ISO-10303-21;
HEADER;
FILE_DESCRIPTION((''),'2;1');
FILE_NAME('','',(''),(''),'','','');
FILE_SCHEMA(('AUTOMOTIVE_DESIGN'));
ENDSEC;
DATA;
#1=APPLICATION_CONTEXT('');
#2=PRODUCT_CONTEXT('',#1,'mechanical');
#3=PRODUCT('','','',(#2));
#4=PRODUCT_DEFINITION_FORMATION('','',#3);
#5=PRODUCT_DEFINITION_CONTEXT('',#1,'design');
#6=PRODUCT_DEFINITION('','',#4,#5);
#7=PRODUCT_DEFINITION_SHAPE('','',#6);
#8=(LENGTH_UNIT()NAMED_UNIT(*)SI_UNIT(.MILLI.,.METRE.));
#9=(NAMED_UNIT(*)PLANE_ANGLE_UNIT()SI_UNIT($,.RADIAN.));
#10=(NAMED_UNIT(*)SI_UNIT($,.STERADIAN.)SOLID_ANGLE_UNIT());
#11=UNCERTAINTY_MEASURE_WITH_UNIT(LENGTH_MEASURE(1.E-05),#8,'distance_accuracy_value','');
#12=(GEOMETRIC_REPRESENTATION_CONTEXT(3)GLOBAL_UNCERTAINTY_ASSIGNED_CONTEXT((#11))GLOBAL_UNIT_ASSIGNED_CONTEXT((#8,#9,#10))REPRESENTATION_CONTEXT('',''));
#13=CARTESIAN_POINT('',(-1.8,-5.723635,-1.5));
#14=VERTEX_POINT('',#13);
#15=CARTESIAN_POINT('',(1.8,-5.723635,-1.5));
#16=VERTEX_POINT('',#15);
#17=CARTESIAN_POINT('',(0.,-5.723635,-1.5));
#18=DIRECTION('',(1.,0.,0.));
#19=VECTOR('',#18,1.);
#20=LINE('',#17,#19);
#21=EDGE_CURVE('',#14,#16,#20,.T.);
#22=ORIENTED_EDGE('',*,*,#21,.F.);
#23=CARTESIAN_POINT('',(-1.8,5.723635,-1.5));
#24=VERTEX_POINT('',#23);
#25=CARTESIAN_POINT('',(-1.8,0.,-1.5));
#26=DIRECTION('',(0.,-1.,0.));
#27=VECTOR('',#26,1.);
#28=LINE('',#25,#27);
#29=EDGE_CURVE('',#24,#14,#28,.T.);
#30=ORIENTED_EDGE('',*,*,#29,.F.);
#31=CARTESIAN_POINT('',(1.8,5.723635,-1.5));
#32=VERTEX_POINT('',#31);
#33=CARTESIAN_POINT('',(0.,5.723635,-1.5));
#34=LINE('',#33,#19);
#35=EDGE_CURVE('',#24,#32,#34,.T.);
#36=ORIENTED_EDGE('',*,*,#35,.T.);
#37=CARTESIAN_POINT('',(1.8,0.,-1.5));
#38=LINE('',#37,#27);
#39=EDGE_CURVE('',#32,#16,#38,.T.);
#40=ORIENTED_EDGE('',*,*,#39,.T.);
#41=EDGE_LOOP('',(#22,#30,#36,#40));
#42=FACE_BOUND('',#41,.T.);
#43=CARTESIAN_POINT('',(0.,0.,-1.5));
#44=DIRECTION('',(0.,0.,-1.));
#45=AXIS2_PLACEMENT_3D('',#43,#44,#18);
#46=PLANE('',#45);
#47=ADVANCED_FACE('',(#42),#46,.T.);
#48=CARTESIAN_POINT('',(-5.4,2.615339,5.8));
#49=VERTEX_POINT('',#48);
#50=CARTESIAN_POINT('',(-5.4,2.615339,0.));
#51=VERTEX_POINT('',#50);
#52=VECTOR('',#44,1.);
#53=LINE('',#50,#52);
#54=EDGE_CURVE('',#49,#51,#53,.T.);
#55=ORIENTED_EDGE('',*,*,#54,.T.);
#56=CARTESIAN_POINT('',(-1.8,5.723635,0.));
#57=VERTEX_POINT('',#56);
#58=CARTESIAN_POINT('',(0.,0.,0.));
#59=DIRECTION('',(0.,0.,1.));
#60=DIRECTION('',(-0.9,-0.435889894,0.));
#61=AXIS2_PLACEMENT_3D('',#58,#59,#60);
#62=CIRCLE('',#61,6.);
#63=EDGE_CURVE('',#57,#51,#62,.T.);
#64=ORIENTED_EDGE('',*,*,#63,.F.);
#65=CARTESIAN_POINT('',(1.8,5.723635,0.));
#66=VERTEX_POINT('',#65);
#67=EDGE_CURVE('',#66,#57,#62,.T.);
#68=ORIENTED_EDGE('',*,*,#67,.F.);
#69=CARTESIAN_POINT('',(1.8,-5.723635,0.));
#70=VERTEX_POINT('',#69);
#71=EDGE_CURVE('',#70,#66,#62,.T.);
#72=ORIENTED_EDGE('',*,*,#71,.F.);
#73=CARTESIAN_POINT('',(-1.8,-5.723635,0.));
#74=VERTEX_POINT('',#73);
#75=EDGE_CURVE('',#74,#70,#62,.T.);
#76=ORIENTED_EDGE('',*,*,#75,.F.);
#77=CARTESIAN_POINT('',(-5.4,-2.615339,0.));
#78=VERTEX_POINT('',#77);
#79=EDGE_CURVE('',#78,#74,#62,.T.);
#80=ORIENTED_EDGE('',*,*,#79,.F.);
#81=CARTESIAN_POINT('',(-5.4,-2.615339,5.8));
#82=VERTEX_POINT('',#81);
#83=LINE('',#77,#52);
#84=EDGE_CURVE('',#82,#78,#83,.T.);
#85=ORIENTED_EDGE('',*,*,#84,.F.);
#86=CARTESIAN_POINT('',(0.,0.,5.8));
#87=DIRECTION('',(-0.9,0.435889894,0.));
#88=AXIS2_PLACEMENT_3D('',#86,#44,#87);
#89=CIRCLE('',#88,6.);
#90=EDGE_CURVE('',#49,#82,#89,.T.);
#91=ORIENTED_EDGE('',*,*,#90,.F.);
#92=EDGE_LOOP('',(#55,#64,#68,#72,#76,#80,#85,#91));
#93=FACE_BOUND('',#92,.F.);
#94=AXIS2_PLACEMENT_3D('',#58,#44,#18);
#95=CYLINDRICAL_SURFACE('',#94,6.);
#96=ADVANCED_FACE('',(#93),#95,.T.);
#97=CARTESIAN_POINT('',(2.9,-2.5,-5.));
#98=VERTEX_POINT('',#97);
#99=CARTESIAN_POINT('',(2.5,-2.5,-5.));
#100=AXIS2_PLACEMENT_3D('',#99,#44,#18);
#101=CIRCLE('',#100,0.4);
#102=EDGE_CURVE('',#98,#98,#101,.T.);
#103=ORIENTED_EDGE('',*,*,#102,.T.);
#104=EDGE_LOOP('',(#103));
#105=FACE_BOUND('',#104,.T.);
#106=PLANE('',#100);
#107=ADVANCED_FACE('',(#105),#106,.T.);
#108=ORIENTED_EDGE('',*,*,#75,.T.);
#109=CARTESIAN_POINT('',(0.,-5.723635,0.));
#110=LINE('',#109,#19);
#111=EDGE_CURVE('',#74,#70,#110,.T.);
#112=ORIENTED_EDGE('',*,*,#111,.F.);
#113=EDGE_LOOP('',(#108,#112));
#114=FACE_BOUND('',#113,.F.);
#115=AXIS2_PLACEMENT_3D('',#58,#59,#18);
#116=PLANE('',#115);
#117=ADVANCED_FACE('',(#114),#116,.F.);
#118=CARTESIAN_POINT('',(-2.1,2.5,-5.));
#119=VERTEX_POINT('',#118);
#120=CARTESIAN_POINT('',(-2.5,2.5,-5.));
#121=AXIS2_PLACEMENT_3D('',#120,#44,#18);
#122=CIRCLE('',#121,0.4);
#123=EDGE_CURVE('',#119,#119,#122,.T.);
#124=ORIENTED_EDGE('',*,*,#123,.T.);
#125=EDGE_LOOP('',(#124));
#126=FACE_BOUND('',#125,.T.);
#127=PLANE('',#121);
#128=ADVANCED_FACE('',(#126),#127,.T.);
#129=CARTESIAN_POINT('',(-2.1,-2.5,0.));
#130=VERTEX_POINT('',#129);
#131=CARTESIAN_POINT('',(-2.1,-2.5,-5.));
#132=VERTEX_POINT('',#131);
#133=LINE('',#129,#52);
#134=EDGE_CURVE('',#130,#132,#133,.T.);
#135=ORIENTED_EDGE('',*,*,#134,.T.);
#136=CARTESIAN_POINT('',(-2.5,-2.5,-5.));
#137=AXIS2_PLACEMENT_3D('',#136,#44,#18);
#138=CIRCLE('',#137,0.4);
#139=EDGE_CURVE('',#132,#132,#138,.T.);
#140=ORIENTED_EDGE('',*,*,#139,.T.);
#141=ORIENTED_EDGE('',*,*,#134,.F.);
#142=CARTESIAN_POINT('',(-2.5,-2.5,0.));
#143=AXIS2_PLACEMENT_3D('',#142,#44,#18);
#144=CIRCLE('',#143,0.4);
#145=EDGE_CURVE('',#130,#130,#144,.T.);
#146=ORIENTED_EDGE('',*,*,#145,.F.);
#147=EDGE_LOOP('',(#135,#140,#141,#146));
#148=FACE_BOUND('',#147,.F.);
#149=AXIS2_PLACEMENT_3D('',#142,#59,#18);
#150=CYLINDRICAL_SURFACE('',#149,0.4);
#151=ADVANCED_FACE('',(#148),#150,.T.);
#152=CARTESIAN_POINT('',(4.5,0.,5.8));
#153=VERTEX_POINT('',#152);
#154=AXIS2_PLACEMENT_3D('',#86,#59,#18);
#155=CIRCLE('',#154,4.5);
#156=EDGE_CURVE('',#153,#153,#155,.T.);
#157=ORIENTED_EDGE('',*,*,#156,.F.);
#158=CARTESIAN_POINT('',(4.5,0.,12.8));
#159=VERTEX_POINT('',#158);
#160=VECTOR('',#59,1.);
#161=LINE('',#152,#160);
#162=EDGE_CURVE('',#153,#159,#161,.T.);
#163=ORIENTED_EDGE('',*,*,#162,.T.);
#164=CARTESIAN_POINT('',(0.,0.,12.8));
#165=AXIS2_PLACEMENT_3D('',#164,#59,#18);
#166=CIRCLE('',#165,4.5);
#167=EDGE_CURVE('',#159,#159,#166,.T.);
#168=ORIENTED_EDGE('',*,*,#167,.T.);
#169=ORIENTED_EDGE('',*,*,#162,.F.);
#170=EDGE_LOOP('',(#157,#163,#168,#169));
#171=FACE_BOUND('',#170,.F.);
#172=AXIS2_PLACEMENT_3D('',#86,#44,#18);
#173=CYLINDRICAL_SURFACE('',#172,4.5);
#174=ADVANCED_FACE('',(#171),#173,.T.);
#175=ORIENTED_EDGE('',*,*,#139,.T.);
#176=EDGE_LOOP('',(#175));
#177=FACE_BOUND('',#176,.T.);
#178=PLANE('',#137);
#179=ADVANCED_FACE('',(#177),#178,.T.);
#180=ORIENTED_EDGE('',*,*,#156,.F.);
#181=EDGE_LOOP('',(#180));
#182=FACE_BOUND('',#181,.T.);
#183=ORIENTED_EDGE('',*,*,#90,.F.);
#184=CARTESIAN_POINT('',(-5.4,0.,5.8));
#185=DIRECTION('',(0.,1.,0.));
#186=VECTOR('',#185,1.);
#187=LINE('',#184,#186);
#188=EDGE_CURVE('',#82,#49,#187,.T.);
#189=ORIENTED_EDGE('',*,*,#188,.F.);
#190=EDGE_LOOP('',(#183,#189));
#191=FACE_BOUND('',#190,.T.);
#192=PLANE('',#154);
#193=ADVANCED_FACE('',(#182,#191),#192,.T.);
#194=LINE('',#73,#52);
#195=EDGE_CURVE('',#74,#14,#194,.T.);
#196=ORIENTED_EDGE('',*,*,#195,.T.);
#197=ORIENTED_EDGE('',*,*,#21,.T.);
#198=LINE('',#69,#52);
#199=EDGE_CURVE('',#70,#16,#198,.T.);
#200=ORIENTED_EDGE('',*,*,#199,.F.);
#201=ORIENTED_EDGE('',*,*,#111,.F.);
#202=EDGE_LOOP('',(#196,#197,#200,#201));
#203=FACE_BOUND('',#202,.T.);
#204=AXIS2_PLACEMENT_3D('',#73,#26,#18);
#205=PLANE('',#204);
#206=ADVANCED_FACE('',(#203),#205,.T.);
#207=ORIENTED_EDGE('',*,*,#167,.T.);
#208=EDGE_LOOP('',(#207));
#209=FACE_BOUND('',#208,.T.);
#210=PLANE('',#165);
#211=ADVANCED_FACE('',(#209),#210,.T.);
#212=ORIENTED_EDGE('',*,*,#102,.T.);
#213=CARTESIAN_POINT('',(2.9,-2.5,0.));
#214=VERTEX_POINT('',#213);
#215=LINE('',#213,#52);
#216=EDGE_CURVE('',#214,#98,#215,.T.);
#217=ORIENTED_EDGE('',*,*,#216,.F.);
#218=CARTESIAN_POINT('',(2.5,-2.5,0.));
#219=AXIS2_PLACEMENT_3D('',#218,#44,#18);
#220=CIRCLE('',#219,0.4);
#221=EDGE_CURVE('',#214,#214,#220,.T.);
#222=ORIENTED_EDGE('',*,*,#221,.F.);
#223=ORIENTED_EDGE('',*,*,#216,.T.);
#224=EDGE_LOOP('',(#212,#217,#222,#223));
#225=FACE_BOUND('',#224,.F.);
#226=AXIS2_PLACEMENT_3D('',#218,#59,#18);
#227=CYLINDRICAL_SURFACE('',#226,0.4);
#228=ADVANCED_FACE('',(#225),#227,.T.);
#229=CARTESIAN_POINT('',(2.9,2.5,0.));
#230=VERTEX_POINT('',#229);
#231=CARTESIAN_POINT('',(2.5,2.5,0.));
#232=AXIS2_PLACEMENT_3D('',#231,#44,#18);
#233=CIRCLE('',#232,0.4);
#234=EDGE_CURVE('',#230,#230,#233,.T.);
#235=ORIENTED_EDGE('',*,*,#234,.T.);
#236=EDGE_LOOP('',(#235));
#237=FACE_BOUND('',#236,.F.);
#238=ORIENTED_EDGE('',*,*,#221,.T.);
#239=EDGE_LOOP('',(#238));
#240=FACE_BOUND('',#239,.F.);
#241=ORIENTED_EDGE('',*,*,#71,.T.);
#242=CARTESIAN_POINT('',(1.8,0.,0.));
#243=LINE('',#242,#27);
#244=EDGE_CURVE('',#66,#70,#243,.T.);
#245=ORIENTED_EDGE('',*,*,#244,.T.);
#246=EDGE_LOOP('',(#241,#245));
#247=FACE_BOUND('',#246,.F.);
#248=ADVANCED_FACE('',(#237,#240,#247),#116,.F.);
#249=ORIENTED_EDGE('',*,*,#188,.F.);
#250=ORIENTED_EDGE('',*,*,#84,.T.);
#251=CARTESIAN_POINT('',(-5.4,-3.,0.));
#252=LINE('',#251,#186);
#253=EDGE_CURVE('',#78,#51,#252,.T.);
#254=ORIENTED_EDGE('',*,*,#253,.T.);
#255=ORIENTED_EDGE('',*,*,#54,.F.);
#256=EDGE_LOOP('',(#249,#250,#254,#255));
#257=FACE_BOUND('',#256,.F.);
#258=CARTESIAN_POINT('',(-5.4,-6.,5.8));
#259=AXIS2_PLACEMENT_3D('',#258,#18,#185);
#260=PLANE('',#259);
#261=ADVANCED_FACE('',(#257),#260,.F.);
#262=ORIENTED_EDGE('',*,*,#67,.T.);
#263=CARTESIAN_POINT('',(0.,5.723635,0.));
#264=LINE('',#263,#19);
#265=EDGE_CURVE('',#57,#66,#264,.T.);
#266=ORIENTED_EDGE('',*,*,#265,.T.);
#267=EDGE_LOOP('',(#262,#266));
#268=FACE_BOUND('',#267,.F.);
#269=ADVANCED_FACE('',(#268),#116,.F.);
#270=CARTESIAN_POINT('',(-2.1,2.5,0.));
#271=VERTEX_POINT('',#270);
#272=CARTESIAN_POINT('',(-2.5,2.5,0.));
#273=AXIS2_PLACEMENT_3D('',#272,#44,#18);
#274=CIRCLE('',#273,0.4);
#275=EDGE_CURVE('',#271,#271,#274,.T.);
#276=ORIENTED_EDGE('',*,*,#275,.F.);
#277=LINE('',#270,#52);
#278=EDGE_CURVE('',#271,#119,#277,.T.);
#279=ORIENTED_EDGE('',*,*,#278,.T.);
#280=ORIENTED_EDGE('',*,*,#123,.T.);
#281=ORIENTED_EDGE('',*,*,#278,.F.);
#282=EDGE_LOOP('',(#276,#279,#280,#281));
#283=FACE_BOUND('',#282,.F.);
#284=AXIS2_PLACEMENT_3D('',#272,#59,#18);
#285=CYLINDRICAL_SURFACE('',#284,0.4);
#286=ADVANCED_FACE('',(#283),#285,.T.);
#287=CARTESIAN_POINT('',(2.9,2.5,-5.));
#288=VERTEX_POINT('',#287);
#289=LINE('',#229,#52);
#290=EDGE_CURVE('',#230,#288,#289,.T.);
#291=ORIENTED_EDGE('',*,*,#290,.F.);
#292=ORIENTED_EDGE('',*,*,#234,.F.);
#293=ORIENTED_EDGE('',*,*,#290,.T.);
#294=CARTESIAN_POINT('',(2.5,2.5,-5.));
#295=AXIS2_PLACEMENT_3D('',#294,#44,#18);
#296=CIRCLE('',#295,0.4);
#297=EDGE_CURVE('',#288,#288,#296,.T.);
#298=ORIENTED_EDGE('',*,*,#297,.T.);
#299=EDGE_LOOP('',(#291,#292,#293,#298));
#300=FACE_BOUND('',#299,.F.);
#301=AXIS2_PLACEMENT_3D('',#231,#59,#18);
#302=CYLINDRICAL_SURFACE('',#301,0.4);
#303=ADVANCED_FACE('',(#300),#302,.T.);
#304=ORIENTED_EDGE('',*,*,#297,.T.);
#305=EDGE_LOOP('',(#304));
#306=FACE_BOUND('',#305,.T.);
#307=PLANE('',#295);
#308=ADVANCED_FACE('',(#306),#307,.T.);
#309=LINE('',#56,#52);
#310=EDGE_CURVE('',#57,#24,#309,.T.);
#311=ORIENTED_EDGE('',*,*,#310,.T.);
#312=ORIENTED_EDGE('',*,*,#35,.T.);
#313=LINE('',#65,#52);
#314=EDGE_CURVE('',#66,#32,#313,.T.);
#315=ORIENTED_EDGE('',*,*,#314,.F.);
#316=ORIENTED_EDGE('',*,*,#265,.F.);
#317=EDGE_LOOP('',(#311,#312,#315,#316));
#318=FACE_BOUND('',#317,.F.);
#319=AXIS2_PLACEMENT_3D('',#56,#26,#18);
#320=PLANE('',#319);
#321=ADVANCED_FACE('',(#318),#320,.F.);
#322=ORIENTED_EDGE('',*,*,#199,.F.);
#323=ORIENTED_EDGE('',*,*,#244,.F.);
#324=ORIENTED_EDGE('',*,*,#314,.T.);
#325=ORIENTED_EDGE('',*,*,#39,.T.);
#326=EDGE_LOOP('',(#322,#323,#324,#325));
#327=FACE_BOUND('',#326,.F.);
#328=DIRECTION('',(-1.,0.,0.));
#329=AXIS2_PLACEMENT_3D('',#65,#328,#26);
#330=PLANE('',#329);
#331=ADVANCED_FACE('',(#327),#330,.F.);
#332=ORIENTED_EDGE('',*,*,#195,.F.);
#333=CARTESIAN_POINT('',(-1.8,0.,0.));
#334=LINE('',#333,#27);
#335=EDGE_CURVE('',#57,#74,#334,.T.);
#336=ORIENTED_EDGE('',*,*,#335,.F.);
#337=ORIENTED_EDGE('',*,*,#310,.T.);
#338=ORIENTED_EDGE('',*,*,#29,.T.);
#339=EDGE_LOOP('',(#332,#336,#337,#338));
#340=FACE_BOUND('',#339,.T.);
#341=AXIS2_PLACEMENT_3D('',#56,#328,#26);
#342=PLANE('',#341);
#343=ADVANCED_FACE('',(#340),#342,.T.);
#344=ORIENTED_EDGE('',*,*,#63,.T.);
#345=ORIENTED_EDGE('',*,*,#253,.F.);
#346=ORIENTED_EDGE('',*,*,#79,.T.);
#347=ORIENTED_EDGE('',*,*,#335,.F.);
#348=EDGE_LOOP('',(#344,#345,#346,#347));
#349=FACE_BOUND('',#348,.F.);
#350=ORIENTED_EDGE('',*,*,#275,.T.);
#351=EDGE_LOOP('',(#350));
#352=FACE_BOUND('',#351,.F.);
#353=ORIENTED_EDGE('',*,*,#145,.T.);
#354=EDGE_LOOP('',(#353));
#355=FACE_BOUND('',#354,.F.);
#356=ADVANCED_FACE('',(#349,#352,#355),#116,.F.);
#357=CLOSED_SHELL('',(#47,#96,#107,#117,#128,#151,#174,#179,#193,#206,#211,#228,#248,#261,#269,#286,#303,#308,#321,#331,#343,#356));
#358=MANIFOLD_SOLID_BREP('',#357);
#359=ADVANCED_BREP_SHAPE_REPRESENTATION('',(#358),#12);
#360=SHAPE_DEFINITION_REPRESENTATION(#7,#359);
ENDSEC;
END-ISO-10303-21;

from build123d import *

# Parameters (mm, degrees)
SKETCH_R     = 6
PAD_DEPTH    = 5.8
SKETCH001_R  = 4.5
PAD001_DEPTH = 7
SKETCH002_W  = 0.6
SKETCH002_H  = 12
POCKET_DEPTH = 6
SKETCH003_R  = 0.4
PAD002_DEPTH = 5
SKETCH004_W  = 3.6
SKETCH004_H  = 11.44727
PAD003_DEPTH = 1.5


with BuildPart() as part:
    # Sketch → Pad (new body)
    with BuildSketch(Plane.XY):
        Circle(SKETCH_R)
    extrude(amount=PAD_DEPTH)

    # Sketch001 → Pad001 (new body)
    with BuildSketch(Plane.XY.offset(5.8)):
        Circle(SKETCH001_R)
    extrude(amount=PAD001_DEPTH)

    # Sketch002 → Pocket (cut)
    with BuildSketch(Plane.XY.offset(5.8)):
        with Locations((-5.7, 0)):
            Rectangle(SKETCH002_W, SKETCH002_H)
    extrude(amount=-POCKET_DEPTH, mode=Mode.SUBTRACT)

    # Sketch003 → Pad002 (new body)
    with BuildSketch(Plane(origin=(0, 0, 0), x_dir=(1, 0, 0), z_dir=(0, 0, -1))):
        with Locations((-2.5, 2.5)):
            Circle(SKETCH003_R)
        with Locations((2.5, 2.5)):
            Circle(SKETCH003_R)
        with Locations((-2.5, -2.5)):
            Circle(SKETCH003_R)
        with Locations((2.5, -2.5)):
            Circle(SKETCH003_R)
    extrude(amount=PAD002_DEPTH)

    # Sketch004 → Pad003 (new body)
    with BuildSketch(Plane(origin=(0, 0, 0), x_dir=(1, 0, 0), z_dir=(0, 0, -1))):
        Rectangle(SKETCH004_W, SKETCH004_H)
    extrude(amount=PAD003_DEPTH)


solid = part.part
